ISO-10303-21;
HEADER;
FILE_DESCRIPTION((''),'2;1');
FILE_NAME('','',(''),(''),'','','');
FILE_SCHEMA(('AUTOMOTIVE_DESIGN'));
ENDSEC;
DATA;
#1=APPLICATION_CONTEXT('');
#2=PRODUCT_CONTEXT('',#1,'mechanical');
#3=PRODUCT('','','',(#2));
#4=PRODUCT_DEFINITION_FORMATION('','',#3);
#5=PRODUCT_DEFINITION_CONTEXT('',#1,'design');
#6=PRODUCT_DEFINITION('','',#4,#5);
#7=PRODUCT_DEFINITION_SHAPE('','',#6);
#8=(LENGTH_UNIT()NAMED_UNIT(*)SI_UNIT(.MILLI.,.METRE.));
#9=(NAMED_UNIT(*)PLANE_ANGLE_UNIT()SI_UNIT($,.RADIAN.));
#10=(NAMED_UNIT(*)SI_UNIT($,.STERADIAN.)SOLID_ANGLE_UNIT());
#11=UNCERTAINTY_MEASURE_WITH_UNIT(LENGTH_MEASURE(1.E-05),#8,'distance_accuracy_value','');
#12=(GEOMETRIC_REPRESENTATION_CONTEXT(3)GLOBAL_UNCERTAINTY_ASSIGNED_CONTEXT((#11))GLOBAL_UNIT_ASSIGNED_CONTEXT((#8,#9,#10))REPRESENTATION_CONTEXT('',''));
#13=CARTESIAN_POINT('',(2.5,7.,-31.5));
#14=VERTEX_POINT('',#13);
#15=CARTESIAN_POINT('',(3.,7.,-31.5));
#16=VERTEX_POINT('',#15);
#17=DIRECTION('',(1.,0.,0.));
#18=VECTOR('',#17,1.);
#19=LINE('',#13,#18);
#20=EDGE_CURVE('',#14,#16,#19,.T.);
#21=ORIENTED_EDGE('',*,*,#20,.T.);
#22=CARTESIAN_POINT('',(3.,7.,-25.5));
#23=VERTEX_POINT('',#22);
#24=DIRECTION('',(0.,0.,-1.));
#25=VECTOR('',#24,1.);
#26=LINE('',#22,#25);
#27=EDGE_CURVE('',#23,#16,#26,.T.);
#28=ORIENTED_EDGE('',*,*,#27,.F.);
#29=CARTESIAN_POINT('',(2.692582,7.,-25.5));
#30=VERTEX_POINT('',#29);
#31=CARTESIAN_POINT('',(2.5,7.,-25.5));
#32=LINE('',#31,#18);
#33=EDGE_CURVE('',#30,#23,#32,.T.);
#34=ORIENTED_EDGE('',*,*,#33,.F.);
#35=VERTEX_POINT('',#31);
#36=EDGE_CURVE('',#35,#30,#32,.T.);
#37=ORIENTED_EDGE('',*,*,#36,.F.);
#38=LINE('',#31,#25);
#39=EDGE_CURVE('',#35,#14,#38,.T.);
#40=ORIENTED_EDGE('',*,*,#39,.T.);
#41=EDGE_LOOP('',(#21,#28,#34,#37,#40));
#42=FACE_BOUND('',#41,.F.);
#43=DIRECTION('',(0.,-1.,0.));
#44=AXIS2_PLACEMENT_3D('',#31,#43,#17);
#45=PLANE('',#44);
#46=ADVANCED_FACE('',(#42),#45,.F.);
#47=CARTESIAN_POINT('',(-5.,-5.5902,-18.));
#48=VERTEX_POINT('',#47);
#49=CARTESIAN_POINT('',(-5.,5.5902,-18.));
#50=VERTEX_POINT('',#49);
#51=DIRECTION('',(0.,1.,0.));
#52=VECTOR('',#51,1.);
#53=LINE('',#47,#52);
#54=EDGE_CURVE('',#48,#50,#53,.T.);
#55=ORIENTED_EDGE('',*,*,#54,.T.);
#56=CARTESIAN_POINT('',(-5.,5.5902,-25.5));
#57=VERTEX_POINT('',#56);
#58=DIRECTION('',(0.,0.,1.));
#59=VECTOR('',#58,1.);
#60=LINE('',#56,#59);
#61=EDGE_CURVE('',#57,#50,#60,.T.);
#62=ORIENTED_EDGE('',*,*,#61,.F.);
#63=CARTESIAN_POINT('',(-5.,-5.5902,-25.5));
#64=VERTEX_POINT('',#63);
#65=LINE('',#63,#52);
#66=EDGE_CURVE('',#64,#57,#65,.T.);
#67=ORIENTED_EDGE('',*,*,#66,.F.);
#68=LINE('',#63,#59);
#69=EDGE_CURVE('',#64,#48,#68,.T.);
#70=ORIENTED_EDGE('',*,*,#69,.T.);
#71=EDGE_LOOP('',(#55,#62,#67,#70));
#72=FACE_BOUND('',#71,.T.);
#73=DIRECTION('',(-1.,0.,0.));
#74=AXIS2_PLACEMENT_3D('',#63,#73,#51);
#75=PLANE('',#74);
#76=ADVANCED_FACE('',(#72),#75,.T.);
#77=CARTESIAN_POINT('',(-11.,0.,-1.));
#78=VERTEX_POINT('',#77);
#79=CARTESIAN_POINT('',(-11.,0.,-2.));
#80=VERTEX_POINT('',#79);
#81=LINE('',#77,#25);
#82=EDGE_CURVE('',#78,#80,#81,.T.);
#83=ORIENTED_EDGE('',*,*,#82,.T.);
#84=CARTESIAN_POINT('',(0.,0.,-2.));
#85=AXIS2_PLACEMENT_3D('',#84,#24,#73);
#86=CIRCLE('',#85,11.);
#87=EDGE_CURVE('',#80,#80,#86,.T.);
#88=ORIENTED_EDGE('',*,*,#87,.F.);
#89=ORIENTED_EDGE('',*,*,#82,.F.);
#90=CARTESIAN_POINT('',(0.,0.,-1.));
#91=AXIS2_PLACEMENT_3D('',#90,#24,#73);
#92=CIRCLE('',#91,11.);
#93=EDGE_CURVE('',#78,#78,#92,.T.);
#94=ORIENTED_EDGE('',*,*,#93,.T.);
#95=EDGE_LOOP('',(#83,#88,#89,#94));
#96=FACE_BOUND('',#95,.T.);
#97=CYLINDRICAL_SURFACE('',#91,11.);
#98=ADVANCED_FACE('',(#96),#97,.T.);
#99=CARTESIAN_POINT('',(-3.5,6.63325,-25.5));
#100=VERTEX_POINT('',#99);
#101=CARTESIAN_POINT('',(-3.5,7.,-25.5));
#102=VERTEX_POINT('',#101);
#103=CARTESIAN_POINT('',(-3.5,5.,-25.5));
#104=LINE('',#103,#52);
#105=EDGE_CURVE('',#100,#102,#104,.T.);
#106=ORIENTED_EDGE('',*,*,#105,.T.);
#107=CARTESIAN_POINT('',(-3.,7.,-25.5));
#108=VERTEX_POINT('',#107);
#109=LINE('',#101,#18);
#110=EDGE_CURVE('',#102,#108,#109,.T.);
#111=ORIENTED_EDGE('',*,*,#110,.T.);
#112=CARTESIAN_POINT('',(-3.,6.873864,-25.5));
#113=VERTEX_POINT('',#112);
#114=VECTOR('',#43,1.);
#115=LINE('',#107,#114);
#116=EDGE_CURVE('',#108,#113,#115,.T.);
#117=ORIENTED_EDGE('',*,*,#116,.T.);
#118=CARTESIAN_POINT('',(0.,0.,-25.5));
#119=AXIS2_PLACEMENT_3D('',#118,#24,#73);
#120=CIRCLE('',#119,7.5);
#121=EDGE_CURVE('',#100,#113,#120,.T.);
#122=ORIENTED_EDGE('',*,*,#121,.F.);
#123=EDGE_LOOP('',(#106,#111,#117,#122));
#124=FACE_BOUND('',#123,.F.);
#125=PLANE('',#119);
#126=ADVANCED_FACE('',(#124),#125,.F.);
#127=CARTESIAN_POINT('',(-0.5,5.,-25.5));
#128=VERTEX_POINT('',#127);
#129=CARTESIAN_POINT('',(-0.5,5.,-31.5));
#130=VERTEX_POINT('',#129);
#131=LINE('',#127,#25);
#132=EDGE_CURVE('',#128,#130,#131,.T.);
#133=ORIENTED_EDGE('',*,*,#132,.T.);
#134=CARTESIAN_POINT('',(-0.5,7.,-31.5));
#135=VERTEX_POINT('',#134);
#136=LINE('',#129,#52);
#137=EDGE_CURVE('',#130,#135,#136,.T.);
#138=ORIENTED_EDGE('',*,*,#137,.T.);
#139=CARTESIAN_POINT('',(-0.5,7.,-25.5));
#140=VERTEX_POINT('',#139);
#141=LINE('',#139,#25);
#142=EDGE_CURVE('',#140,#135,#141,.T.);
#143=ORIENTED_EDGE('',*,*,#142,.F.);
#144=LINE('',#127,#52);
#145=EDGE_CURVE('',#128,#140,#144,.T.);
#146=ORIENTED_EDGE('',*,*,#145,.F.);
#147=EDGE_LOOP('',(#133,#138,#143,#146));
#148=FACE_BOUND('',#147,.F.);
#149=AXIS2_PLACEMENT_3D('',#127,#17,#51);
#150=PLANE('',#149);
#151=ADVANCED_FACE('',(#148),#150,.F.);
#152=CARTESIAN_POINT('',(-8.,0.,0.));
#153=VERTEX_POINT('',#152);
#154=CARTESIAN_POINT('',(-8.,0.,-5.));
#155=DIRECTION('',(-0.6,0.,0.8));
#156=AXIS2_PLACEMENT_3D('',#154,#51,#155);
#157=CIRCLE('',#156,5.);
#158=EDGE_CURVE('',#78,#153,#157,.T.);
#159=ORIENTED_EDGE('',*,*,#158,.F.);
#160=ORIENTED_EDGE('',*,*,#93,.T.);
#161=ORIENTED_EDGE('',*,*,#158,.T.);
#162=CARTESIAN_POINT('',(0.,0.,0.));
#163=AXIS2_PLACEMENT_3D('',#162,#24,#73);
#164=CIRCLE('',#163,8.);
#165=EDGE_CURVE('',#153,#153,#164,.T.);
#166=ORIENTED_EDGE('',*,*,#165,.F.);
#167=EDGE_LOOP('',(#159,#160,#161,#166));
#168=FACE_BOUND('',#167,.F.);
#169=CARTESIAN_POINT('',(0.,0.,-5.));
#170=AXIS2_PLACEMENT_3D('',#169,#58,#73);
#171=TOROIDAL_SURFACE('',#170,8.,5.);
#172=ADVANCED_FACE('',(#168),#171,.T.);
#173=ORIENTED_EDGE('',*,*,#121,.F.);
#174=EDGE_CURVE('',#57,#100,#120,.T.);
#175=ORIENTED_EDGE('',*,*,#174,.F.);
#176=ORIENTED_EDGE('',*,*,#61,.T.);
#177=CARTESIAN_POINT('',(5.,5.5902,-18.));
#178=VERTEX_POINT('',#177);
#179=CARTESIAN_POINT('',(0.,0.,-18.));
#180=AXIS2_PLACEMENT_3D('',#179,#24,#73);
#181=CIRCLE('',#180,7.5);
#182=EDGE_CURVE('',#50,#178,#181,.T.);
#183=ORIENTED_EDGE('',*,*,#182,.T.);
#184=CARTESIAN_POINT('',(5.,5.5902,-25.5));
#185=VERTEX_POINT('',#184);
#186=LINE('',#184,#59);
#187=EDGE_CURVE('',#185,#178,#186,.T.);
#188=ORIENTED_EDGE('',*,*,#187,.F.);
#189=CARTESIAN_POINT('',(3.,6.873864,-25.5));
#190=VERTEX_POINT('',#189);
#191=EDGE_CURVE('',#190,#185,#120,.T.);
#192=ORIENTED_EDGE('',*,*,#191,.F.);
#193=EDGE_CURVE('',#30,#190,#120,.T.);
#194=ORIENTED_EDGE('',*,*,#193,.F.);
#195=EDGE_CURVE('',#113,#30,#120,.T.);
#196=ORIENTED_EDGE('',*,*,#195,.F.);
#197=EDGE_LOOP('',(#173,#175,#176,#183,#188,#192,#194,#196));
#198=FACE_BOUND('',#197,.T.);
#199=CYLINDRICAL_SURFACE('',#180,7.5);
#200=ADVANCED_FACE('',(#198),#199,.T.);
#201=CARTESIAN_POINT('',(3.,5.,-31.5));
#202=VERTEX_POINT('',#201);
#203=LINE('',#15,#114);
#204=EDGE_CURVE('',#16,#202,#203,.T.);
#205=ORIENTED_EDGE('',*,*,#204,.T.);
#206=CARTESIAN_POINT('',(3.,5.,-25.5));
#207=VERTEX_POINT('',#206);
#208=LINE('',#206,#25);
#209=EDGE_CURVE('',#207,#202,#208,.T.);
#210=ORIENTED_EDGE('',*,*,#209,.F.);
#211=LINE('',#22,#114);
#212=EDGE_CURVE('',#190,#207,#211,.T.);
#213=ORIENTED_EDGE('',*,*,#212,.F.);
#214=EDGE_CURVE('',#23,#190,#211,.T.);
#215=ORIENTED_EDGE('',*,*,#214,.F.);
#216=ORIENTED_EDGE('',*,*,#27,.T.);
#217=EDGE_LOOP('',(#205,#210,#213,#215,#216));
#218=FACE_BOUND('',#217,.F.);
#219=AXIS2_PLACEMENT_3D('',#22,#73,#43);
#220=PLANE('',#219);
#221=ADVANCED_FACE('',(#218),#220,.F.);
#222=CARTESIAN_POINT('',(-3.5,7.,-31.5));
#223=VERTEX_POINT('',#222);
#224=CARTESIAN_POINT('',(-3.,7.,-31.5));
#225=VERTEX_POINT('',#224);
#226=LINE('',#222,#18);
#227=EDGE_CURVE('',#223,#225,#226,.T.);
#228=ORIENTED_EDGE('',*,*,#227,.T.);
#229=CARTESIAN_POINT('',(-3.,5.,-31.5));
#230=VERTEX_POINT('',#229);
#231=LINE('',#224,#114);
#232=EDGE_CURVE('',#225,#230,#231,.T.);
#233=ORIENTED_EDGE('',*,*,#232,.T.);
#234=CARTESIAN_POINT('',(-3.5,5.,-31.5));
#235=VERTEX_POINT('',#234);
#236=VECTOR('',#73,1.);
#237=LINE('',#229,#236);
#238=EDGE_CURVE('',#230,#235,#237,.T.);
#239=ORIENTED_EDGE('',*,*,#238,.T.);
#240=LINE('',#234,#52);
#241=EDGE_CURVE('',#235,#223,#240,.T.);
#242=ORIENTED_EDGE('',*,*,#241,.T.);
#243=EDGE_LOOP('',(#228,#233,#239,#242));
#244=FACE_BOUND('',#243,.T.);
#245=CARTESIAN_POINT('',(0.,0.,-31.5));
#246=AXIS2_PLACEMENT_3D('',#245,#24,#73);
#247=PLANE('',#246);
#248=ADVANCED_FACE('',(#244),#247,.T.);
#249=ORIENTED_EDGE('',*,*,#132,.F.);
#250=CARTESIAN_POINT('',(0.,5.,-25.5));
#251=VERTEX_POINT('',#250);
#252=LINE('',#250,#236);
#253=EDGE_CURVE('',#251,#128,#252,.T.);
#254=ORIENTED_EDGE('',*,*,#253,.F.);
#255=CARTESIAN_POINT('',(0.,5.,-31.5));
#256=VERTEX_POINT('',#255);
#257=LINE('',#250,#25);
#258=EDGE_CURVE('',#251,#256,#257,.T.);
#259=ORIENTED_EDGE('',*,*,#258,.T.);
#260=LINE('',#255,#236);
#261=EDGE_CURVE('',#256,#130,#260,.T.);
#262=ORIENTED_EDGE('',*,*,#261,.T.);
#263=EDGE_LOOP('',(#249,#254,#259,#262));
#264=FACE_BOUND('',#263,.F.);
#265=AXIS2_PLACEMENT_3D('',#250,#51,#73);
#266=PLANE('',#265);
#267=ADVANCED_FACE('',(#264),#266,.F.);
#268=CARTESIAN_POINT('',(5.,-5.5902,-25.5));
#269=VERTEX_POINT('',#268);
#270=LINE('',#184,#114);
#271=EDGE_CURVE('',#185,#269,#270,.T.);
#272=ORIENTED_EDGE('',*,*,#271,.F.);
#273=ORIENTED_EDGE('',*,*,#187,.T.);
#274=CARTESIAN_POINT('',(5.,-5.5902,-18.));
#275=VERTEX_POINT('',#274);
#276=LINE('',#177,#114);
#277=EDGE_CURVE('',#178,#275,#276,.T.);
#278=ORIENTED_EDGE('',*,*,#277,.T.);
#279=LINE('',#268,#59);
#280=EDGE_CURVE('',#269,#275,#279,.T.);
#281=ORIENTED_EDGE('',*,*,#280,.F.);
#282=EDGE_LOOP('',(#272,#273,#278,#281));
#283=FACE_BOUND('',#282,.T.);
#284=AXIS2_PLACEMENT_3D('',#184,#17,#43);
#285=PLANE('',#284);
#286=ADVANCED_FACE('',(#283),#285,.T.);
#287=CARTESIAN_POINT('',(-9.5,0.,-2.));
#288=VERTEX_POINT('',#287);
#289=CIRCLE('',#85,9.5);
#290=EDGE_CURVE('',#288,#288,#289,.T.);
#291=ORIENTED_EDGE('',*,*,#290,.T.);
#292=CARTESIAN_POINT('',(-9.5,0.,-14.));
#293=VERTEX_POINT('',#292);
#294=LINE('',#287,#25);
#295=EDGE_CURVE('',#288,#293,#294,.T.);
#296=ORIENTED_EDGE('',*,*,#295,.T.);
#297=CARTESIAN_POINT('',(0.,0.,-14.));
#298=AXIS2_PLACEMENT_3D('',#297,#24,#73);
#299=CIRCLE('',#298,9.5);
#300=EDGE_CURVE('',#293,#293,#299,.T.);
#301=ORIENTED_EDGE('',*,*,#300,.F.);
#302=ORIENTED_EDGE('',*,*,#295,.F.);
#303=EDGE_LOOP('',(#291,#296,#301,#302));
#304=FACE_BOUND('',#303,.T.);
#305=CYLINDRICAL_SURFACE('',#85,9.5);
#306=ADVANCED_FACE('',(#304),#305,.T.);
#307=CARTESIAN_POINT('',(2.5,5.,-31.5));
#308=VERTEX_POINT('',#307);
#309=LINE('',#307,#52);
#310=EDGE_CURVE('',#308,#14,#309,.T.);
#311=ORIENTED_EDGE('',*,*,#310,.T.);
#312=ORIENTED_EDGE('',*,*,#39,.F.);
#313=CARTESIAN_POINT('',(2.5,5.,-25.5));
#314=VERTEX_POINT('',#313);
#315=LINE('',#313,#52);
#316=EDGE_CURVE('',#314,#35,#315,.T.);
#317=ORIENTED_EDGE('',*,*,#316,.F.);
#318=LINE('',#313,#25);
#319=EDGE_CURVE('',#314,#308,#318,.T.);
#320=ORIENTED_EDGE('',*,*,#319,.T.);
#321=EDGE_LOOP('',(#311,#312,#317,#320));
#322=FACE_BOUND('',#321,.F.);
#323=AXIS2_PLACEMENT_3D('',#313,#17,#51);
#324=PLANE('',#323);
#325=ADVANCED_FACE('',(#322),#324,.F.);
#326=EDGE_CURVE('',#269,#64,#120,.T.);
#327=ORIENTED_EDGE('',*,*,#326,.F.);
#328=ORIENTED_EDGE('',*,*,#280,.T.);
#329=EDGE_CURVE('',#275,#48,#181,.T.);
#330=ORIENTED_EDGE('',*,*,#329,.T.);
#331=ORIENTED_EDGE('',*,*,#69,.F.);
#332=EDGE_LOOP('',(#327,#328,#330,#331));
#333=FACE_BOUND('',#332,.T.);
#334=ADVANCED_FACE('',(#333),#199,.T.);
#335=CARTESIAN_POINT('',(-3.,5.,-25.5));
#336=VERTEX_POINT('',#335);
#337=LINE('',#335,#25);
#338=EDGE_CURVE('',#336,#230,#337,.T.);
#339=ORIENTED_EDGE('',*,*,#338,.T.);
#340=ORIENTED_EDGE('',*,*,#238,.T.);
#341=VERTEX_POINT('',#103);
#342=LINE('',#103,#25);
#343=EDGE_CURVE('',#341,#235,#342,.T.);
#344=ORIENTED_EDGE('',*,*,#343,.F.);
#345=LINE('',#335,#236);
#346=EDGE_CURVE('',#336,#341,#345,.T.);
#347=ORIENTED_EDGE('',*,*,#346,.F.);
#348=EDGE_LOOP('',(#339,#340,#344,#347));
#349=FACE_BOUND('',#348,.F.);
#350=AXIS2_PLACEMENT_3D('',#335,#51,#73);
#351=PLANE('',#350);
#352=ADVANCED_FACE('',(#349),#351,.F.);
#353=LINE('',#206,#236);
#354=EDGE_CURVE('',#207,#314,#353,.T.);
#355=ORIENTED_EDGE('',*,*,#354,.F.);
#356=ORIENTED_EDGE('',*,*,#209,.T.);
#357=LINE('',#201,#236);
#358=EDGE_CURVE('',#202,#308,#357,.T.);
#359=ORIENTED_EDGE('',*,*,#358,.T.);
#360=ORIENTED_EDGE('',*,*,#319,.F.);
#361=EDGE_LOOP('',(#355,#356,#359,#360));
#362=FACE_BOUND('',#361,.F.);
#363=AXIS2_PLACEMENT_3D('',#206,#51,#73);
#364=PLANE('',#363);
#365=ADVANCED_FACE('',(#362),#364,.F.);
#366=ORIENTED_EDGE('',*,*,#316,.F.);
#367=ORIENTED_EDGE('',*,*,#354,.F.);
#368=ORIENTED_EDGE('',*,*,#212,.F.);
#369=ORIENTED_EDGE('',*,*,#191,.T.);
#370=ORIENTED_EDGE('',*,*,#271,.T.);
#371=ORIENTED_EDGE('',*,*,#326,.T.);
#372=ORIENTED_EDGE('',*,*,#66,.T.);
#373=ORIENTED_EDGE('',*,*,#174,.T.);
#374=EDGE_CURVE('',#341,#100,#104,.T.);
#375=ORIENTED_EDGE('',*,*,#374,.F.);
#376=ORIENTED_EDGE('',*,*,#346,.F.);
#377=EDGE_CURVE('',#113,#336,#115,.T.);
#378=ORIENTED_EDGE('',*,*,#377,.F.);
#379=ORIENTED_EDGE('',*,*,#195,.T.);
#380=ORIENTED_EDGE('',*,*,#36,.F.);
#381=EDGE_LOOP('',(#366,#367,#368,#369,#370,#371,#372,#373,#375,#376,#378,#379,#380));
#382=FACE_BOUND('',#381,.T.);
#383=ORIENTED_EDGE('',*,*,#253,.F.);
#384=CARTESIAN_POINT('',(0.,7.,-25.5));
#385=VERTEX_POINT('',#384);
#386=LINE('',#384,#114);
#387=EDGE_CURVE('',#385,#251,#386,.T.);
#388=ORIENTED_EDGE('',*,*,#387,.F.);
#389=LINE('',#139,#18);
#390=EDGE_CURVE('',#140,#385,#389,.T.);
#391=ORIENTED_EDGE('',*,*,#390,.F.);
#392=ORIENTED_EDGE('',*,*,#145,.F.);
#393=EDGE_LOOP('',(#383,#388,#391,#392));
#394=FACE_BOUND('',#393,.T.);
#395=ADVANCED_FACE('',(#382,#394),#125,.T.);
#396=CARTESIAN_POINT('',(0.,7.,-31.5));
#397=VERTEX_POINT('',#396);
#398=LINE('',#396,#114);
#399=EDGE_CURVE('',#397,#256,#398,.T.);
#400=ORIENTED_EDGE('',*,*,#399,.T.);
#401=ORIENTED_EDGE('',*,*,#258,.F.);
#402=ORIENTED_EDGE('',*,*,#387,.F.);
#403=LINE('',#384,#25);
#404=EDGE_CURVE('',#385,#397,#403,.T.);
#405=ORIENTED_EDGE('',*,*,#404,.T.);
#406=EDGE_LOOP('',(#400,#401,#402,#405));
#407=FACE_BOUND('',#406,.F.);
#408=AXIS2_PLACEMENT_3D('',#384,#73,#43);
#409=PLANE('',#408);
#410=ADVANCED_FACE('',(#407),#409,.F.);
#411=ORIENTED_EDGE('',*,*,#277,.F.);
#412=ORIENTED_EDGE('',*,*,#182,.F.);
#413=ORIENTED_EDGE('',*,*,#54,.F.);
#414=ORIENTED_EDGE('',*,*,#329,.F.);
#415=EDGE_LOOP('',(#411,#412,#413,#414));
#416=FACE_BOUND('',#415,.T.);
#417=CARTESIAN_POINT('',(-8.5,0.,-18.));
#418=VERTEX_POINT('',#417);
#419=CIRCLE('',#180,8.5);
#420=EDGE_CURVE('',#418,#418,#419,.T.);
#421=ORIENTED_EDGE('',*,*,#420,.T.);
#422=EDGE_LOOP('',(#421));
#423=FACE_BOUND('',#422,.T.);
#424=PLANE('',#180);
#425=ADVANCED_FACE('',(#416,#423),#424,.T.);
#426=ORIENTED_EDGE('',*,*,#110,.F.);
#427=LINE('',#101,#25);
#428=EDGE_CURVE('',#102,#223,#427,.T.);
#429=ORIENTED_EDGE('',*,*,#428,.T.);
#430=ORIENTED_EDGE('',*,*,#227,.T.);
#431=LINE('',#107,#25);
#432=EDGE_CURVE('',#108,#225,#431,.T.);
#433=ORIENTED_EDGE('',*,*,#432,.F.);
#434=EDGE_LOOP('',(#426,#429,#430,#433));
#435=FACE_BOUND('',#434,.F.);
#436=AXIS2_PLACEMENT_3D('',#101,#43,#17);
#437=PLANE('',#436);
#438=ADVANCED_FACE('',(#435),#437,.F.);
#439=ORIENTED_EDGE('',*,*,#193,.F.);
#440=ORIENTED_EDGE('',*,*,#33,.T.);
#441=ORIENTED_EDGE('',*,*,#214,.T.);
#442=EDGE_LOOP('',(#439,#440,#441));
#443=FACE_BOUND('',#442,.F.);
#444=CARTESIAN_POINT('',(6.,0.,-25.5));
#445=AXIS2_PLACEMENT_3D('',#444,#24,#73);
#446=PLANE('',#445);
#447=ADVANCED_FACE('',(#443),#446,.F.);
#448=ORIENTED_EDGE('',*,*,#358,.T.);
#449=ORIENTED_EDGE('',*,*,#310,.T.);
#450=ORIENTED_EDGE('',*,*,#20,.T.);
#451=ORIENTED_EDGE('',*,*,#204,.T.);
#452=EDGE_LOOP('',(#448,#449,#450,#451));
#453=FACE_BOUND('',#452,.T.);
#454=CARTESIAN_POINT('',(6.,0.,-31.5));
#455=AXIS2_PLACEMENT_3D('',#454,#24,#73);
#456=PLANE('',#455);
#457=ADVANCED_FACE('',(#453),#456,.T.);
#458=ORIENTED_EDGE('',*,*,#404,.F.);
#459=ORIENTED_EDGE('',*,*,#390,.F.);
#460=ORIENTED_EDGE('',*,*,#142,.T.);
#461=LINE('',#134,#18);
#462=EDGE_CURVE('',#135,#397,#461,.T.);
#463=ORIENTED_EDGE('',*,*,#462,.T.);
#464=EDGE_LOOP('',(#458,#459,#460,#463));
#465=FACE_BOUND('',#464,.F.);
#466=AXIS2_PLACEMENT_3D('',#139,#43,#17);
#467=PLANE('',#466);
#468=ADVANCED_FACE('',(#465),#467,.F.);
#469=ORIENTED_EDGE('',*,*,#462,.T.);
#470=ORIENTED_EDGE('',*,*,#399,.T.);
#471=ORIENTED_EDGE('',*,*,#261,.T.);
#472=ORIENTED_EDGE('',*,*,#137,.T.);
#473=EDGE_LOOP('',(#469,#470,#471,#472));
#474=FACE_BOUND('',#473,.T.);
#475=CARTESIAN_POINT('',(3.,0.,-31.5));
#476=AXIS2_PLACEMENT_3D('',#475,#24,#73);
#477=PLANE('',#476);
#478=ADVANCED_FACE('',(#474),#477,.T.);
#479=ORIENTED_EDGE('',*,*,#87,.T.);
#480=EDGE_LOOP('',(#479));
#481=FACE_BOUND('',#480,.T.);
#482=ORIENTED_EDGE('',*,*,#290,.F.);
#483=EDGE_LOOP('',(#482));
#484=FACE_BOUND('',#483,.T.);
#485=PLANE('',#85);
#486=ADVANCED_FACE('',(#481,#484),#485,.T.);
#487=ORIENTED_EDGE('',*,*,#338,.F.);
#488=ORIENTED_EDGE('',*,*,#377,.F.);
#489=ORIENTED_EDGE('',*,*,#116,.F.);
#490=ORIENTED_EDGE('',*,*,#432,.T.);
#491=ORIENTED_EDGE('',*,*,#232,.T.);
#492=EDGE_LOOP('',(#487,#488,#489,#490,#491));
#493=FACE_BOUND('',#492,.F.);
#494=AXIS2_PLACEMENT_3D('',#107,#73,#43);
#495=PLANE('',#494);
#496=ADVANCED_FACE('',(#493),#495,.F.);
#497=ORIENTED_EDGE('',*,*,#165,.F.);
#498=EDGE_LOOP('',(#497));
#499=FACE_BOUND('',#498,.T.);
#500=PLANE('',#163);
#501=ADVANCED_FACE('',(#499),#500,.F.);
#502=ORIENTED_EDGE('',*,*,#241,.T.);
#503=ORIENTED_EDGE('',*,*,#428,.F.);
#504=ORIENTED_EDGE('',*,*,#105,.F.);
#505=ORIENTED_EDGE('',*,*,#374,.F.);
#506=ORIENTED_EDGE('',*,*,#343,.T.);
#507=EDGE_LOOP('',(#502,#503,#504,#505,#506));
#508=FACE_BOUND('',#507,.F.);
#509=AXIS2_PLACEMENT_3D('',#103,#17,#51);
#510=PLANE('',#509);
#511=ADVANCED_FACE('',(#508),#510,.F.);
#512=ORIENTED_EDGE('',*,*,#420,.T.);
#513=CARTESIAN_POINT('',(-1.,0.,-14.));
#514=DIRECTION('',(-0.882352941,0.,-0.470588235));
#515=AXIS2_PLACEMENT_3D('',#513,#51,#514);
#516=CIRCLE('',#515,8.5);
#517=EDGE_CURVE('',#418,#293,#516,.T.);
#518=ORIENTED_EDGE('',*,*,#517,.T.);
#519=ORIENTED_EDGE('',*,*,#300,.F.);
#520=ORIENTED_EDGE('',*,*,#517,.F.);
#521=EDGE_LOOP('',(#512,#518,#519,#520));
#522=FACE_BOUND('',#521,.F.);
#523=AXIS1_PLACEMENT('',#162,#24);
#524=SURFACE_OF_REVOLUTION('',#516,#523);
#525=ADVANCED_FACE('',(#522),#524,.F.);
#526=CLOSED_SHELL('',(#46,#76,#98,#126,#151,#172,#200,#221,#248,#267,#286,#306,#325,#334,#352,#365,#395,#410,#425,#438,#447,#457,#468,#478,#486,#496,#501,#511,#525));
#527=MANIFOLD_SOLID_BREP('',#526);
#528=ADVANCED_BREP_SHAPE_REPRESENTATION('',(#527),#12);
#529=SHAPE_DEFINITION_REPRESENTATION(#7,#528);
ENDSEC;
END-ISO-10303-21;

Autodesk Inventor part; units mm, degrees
ref_plane "YZ Plane" through (0, 0, 0) normal (1, 0, 0) x (0, 1, 0)
ref_plane "XZ Plane" through (0, 0, 0) normal (0, 1, 0) x (-1, 0, 0)
ref_plane "XY Plane" through (0, 0, 0) normal (0, 0, 1) x (1, 0, 0)
sketch "Skizze1" plane through (0, 0, 0) normal (0, 1, 0) x (-1, 0, 0)
  line L0 (0, 0) -> (0, -100) construction
  line L1 (0, 0) -> (8, 0)
  arc A0 (11, -1) -> (8, 0) centre (8, -5) ccw
  line L2 (11, -1) -> (11, -2)
  line L3 (11, -2) -> (9.5, -2)
  line L4 (9.5, -2) -> (9.5, -14)
  arc A1 (8.5, -18) -> (9.5, -14) centre (1, -14) ccw
  line L5 (8.5, -18) -> (7.5, -18)
  line L6 (7.5, -18) -> (7.5, -25.5)
  line L7 (7.5, -25.5) -> (0, -25.5)
  line L8 (0, 0) -> (0, -25.5)
  point P0 (10.25, -2)
  dimension "d0" = 100
  dimension "d1" = 19
  dimension "d2" = 22
  dimension "d3" = 2
  dimension "d4" = 1
  dimension "d5" = 3
  dimension "d6" = 12
  dimension "d7" = 4
  dimension "d10" = 7.5
  dimension "d26" = 7.5
  dimension "d27" = 8.5
revolve "Umdrehung1" add sketch "Skizze1" angle 360 about axis through (0, 0, 0) along (0, 0, -1)
thread "Gewinde1" size "M18x2.5" class "6g" standard "ANSI Metric M Profile" full length
sketch "Skizze2" plane through (0, 0, -25.5) normal (0, 0, -1) x (-1, 0, 0)
  circle A0 centre (0, 0) radius 7.5 projected
  line L0 (5, 5.5902) -> (-5, 5.5902)
  line L1 (-5, 5.5902) -> (-5, -5.5902)
  line L2 (-5, -5.5902) -> (5, -5.5902)
  line L3 (5, -5.5902) -> (5, 5.5902)
  point P0 (-5, 5.5902)
  dimension "d14" = 10
extrude "Extrusion1" cut sketch "Skizze2" against normal up to surface (7.5 mm away) contours A0 L3 | L1 A0
sketch "Skizze3" plane through (0, 0, -25.5) normal (0, 0, -1) x (-1, 0, 0)
  line L0 (3.5, 7) -> (3, 7)
  line L1 (3, 7) -> (3, 5)
  line L2 (3, 5) -> (3.5, 5)
  line L3 (3.5, 5) -> (3.5, 7)
  point P0 (0, 0)
  point P1 (3, 6)
  dimension "d17" = 0.5
  dimension "d18" = 2
  dimension "d19" = 5
  dimension "d20" = 3
extrude "Extrusion2" add sketch "Skizze3" along normal blind 6
pattern_linear "Rechteckige Anordnung1" count 3 spacing 3 along (1, 0, 0) of "Extrusion2"
properties part number "Druckknopf_Konsole_groß" material "Stahl, galvanisiert"
